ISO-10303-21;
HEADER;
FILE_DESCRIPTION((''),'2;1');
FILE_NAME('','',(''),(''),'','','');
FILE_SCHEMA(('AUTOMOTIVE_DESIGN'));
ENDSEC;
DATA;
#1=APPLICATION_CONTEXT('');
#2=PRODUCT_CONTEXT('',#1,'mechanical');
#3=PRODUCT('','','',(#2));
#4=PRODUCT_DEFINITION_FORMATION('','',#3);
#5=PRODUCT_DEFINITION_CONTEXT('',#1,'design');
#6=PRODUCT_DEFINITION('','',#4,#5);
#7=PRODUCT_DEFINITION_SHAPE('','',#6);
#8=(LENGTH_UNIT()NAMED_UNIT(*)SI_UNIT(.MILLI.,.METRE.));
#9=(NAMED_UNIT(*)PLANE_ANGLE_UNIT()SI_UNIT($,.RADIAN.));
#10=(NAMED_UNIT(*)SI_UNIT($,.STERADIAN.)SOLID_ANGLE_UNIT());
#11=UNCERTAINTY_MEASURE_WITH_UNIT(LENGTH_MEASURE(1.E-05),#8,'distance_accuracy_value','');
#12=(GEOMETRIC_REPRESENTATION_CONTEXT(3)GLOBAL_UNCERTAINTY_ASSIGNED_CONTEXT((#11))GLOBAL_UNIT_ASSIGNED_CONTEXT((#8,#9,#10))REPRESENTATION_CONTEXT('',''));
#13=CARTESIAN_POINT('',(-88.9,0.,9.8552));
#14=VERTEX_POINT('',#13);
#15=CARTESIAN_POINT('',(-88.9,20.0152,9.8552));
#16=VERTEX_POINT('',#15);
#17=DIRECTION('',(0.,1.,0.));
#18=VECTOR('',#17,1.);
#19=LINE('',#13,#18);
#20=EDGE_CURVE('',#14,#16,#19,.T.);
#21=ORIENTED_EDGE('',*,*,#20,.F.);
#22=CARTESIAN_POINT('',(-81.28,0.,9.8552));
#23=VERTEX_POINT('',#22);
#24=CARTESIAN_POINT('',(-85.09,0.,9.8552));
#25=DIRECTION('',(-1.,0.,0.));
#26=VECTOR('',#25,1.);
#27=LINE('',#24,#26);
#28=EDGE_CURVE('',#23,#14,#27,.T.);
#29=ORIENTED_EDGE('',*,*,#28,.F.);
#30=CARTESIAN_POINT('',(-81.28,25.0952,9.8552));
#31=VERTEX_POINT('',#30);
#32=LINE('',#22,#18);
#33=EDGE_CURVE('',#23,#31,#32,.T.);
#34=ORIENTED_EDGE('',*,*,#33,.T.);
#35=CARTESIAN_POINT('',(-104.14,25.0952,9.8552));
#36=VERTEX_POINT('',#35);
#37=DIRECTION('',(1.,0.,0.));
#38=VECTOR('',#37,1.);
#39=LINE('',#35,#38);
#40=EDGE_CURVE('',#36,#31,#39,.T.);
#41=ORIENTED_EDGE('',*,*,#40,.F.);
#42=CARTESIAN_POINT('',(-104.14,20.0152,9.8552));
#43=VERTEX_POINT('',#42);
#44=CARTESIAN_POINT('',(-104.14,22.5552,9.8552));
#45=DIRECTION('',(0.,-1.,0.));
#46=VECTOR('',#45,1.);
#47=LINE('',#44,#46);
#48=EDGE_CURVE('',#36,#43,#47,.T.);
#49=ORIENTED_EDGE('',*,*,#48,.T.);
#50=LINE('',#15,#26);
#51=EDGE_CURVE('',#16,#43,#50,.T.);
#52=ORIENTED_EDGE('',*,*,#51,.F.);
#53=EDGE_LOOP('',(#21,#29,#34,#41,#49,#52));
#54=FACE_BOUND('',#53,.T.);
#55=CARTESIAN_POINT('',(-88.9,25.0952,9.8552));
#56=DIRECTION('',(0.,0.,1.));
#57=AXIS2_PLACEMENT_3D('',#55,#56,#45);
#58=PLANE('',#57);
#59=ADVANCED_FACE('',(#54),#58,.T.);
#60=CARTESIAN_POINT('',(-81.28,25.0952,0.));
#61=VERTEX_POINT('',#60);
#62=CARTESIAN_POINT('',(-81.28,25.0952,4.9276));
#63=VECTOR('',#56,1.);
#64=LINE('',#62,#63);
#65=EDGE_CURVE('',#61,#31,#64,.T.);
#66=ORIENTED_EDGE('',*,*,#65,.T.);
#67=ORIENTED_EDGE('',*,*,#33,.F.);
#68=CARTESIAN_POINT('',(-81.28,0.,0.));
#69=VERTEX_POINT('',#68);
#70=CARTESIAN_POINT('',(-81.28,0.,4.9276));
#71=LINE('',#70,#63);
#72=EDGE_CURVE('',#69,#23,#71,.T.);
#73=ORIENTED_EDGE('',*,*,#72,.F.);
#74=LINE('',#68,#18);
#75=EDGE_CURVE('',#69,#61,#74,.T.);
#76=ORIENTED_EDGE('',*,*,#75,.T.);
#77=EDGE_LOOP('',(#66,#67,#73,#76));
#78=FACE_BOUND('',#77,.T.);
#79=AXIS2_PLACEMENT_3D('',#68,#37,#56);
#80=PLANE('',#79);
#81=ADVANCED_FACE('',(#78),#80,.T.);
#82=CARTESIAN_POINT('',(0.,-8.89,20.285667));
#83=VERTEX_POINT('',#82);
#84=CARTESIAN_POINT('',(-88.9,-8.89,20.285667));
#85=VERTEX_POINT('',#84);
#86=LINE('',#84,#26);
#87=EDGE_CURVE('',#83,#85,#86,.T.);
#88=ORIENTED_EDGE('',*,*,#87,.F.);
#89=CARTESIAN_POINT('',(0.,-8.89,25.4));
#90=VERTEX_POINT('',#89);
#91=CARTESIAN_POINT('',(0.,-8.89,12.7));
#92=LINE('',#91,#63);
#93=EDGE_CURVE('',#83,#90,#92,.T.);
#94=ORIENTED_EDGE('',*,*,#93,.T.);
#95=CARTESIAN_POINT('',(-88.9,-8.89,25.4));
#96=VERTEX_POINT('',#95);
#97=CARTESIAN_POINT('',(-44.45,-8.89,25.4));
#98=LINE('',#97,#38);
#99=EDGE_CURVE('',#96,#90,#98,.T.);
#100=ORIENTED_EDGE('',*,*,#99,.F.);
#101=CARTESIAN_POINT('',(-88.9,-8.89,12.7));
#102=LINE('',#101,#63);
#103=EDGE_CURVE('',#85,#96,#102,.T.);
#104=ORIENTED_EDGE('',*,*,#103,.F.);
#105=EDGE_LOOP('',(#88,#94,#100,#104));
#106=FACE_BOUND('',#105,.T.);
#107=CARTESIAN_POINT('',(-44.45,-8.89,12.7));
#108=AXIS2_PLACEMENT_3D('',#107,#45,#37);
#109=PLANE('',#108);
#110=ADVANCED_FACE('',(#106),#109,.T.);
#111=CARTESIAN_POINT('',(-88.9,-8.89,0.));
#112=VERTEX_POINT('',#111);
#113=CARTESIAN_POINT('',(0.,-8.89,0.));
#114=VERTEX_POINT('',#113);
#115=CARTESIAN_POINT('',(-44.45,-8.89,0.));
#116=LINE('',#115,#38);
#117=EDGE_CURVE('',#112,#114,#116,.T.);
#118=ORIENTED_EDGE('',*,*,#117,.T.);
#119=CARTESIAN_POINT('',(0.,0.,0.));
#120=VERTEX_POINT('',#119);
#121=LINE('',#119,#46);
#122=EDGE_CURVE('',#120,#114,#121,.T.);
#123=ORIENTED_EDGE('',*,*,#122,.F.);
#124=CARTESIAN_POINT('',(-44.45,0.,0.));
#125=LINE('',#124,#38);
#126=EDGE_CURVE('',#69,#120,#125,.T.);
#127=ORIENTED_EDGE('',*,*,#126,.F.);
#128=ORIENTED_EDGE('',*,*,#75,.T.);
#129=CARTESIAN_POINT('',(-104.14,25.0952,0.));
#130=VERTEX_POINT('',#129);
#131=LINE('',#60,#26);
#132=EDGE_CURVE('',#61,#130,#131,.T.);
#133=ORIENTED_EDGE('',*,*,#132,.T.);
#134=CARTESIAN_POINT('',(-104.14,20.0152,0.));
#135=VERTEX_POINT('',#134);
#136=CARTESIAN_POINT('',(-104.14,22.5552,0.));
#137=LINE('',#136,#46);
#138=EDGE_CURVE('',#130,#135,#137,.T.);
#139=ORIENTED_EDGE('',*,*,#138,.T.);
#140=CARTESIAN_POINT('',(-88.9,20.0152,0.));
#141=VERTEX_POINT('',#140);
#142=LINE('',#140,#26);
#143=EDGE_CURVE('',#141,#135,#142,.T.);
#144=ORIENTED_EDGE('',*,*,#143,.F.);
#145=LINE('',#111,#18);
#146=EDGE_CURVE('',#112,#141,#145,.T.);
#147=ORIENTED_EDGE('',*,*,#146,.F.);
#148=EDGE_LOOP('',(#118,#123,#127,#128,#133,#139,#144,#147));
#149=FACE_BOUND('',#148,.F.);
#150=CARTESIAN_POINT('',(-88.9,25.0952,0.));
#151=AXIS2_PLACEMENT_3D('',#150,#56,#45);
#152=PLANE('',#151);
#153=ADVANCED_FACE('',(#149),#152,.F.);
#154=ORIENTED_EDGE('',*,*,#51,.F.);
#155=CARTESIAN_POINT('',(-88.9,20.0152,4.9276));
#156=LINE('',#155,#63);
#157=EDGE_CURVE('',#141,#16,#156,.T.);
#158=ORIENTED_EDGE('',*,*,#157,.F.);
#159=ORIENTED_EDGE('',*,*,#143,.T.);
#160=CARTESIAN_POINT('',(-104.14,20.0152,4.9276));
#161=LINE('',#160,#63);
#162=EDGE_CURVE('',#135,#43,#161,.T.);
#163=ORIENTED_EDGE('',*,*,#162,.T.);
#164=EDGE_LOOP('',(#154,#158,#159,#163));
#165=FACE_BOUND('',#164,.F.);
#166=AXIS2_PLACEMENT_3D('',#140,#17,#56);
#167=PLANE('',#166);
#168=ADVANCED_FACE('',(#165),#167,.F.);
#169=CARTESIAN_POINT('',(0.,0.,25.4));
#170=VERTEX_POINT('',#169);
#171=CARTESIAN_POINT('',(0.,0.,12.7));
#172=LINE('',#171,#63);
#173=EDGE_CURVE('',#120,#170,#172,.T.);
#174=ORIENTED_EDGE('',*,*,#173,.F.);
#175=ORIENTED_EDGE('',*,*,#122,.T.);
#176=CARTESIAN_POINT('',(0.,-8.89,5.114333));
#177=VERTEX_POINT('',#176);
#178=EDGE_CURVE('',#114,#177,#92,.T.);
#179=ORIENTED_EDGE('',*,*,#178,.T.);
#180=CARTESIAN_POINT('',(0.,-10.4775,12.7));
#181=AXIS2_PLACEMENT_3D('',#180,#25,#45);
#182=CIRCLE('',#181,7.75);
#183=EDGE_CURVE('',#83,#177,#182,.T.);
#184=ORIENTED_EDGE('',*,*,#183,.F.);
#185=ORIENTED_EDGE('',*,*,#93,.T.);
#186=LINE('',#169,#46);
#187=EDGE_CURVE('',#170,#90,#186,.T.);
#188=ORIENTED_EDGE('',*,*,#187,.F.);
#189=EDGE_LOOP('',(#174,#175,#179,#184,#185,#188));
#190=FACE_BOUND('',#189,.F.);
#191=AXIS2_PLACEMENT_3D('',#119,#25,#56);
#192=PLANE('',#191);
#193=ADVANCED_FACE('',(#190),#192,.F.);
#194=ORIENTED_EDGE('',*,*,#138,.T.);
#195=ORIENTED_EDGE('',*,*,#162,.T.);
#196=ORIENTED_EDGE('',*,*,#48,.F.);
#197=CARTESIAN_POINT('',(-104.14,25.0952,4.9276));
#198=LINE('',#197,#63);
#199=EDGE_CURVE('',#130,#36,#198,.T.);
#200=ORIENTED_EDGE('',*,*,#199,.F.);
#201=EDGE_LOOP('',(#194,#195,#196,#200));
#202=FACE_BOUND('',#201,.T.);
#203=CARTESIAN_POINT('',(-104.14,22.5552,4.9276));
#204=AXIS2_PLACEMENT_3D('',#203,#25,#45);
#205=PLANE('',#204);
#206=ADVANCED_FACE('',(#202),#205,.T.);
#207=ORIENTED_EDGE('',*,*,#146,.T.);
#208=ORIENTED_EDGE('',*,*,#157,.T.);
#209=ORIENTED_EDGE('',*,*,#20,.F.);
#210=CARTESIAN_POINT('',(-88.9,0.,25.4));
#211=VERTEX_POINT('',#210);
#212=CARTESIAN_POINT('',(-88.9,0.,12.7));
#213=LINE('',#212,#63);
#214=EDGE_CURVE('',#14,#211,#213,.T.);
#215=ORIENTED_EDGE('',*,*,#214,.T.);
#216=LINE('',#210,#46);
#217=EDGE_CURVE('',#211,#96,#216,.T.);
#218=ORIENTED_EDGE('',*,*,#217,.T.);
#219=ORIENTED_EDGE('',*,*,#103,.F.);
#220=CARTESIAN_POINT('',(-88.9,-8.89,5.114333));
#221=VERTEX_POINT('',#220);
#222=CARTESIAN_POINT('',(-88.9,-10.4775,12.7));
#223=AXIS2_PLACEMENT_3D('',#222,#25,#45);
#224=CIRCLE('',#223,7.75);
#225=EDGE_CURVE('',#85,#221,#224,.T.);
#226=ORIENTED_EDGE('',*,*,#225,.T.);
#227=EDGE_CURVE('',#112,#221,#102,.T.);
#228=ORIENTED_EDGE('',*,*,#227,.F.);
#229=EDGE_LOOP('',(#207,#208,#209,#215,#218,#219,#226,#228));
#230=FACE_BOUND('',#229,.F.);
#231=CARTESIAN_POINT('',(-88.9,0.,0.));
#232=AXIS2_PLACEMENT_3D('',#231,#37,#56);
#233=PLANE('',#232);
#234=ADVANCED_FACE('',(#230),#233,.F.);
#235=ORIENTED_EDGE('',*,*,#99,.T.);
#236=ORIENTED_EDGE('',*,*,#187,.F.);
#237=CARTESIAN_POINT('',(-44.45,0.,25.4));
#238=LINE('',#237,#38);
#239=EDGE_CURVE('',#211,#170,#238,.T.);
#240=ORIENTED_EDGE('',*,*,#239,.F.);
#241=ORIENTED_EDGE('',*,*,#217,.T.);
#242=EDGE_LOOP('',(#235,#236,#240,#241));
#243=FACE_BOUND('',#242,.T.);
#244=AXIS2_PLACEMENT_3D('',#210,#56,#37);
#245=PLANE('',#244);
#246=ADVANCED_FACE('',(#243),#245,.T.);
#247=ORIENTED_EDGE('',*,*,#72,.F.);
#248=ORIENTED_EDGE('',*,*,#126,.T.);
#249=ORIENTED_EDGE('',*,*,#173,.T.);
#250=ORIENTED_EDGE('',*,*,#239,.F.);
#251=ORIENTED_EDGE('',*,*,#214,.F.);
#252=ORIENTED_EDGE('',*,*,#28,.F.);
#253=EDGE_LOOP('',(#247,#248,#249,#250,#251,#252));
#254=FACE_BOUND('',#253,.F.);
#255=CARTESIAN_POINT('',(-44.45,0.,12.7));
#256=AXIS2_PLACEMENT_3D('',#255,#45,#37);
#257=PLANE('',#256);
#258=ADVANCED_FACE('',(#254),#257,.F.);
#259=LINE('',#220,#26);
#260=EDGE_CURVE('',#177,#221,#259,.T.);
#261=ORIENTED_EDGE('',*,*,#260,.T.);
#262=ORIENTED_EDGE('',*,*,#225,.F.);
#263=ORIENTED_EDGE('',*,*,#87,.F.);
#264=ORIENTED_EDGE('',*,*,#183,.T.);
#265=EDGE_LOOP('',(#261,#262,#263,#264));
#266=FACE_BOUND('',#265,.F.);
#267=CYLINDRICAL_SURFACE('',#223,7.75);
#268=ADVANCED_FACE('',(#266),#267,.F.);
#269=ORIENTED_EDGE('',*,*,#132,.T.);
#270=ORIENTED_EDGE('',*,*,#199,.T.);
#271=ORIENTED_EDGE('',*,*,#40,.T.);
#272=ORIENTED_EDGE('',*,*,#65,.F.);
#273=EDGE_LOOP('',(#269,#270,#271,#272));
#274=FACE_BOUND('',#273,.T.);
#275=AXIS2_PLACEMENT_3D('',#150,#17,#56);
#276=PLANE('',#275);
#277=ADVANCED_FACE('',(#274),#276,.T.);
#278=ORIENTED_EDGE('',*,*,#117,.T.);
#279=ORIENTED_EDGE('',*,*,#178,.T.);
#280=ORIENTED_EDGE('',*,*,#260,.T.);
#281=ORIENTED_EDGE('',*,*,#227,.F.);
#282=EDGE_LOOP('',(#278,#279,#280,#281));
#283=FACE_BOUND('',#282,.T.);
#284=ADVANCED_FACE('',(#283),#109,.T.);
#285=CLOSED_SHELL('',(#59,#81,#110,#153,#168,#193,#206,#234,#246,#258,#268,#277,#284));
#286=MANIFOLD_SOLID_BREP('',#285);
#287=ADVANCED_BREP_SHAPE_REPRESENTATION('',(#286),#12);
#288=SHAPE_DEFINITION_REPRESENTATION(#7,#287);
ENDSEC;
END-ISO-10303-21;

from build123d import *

# Parameters (mm, degrees)
F0_W     = 88.9
F0_H     = 25.4
F1_DEPTH = 8.89
F2_R     = 7.75
F3_DEPTH = 88.901
F4_W     = 7.62
F4_H     = 9.8552
F5_DEPTH = 25.0952
F6_W     = 5.08
F6_H     = 9.8552
F7_DEPTH = 15.24


with BuildPart() as f1:
    # F0 (on Front) → F1 (new body)
    with BuildSketch(Plane.XZ):
        with Locations((-44.45, 12.7)):
            Rectangle(F0_W, F0_H)
    extrude(amount=F1_DEPTH)

    # F2 (on face) → F3 (cut, through all)
    with BuildSketch(Plane(origin=(-88.9, 0, 0), x_dir=(0, -1, 0), z_dir=(-1, 0, 0))):
        with Locations((10.4775, 12.7)):
            Circle(F2_R)
    extrude(amount=-F3_DEPTH, mode=Mode.SUBTRACT)

    # F4 (on face) → F5 (join)
    with BuildSketch(Plane(origin=(0, 0, 0), x_dir=(-1, 0, 0), z_dir=(0, 1, 0))):
        with Locations((85.09, 4.9276)):
            Rectangle(F4_W, F4_H)
    extrude(amount=F5_DEPTH)

    # F6 (on face) → F7 (join)
    with BuildSketch(Plane(origin=(-88.9, 0, 0), x_dir=(0, -1, 0), z_dir=(-1, 0, 0))):
        with Locations((-22.5552, 4.9276)):
            Rectangle(F6_W, F6_H)
    extrude(amount=F7_DEPTH)


solid = f1.part
